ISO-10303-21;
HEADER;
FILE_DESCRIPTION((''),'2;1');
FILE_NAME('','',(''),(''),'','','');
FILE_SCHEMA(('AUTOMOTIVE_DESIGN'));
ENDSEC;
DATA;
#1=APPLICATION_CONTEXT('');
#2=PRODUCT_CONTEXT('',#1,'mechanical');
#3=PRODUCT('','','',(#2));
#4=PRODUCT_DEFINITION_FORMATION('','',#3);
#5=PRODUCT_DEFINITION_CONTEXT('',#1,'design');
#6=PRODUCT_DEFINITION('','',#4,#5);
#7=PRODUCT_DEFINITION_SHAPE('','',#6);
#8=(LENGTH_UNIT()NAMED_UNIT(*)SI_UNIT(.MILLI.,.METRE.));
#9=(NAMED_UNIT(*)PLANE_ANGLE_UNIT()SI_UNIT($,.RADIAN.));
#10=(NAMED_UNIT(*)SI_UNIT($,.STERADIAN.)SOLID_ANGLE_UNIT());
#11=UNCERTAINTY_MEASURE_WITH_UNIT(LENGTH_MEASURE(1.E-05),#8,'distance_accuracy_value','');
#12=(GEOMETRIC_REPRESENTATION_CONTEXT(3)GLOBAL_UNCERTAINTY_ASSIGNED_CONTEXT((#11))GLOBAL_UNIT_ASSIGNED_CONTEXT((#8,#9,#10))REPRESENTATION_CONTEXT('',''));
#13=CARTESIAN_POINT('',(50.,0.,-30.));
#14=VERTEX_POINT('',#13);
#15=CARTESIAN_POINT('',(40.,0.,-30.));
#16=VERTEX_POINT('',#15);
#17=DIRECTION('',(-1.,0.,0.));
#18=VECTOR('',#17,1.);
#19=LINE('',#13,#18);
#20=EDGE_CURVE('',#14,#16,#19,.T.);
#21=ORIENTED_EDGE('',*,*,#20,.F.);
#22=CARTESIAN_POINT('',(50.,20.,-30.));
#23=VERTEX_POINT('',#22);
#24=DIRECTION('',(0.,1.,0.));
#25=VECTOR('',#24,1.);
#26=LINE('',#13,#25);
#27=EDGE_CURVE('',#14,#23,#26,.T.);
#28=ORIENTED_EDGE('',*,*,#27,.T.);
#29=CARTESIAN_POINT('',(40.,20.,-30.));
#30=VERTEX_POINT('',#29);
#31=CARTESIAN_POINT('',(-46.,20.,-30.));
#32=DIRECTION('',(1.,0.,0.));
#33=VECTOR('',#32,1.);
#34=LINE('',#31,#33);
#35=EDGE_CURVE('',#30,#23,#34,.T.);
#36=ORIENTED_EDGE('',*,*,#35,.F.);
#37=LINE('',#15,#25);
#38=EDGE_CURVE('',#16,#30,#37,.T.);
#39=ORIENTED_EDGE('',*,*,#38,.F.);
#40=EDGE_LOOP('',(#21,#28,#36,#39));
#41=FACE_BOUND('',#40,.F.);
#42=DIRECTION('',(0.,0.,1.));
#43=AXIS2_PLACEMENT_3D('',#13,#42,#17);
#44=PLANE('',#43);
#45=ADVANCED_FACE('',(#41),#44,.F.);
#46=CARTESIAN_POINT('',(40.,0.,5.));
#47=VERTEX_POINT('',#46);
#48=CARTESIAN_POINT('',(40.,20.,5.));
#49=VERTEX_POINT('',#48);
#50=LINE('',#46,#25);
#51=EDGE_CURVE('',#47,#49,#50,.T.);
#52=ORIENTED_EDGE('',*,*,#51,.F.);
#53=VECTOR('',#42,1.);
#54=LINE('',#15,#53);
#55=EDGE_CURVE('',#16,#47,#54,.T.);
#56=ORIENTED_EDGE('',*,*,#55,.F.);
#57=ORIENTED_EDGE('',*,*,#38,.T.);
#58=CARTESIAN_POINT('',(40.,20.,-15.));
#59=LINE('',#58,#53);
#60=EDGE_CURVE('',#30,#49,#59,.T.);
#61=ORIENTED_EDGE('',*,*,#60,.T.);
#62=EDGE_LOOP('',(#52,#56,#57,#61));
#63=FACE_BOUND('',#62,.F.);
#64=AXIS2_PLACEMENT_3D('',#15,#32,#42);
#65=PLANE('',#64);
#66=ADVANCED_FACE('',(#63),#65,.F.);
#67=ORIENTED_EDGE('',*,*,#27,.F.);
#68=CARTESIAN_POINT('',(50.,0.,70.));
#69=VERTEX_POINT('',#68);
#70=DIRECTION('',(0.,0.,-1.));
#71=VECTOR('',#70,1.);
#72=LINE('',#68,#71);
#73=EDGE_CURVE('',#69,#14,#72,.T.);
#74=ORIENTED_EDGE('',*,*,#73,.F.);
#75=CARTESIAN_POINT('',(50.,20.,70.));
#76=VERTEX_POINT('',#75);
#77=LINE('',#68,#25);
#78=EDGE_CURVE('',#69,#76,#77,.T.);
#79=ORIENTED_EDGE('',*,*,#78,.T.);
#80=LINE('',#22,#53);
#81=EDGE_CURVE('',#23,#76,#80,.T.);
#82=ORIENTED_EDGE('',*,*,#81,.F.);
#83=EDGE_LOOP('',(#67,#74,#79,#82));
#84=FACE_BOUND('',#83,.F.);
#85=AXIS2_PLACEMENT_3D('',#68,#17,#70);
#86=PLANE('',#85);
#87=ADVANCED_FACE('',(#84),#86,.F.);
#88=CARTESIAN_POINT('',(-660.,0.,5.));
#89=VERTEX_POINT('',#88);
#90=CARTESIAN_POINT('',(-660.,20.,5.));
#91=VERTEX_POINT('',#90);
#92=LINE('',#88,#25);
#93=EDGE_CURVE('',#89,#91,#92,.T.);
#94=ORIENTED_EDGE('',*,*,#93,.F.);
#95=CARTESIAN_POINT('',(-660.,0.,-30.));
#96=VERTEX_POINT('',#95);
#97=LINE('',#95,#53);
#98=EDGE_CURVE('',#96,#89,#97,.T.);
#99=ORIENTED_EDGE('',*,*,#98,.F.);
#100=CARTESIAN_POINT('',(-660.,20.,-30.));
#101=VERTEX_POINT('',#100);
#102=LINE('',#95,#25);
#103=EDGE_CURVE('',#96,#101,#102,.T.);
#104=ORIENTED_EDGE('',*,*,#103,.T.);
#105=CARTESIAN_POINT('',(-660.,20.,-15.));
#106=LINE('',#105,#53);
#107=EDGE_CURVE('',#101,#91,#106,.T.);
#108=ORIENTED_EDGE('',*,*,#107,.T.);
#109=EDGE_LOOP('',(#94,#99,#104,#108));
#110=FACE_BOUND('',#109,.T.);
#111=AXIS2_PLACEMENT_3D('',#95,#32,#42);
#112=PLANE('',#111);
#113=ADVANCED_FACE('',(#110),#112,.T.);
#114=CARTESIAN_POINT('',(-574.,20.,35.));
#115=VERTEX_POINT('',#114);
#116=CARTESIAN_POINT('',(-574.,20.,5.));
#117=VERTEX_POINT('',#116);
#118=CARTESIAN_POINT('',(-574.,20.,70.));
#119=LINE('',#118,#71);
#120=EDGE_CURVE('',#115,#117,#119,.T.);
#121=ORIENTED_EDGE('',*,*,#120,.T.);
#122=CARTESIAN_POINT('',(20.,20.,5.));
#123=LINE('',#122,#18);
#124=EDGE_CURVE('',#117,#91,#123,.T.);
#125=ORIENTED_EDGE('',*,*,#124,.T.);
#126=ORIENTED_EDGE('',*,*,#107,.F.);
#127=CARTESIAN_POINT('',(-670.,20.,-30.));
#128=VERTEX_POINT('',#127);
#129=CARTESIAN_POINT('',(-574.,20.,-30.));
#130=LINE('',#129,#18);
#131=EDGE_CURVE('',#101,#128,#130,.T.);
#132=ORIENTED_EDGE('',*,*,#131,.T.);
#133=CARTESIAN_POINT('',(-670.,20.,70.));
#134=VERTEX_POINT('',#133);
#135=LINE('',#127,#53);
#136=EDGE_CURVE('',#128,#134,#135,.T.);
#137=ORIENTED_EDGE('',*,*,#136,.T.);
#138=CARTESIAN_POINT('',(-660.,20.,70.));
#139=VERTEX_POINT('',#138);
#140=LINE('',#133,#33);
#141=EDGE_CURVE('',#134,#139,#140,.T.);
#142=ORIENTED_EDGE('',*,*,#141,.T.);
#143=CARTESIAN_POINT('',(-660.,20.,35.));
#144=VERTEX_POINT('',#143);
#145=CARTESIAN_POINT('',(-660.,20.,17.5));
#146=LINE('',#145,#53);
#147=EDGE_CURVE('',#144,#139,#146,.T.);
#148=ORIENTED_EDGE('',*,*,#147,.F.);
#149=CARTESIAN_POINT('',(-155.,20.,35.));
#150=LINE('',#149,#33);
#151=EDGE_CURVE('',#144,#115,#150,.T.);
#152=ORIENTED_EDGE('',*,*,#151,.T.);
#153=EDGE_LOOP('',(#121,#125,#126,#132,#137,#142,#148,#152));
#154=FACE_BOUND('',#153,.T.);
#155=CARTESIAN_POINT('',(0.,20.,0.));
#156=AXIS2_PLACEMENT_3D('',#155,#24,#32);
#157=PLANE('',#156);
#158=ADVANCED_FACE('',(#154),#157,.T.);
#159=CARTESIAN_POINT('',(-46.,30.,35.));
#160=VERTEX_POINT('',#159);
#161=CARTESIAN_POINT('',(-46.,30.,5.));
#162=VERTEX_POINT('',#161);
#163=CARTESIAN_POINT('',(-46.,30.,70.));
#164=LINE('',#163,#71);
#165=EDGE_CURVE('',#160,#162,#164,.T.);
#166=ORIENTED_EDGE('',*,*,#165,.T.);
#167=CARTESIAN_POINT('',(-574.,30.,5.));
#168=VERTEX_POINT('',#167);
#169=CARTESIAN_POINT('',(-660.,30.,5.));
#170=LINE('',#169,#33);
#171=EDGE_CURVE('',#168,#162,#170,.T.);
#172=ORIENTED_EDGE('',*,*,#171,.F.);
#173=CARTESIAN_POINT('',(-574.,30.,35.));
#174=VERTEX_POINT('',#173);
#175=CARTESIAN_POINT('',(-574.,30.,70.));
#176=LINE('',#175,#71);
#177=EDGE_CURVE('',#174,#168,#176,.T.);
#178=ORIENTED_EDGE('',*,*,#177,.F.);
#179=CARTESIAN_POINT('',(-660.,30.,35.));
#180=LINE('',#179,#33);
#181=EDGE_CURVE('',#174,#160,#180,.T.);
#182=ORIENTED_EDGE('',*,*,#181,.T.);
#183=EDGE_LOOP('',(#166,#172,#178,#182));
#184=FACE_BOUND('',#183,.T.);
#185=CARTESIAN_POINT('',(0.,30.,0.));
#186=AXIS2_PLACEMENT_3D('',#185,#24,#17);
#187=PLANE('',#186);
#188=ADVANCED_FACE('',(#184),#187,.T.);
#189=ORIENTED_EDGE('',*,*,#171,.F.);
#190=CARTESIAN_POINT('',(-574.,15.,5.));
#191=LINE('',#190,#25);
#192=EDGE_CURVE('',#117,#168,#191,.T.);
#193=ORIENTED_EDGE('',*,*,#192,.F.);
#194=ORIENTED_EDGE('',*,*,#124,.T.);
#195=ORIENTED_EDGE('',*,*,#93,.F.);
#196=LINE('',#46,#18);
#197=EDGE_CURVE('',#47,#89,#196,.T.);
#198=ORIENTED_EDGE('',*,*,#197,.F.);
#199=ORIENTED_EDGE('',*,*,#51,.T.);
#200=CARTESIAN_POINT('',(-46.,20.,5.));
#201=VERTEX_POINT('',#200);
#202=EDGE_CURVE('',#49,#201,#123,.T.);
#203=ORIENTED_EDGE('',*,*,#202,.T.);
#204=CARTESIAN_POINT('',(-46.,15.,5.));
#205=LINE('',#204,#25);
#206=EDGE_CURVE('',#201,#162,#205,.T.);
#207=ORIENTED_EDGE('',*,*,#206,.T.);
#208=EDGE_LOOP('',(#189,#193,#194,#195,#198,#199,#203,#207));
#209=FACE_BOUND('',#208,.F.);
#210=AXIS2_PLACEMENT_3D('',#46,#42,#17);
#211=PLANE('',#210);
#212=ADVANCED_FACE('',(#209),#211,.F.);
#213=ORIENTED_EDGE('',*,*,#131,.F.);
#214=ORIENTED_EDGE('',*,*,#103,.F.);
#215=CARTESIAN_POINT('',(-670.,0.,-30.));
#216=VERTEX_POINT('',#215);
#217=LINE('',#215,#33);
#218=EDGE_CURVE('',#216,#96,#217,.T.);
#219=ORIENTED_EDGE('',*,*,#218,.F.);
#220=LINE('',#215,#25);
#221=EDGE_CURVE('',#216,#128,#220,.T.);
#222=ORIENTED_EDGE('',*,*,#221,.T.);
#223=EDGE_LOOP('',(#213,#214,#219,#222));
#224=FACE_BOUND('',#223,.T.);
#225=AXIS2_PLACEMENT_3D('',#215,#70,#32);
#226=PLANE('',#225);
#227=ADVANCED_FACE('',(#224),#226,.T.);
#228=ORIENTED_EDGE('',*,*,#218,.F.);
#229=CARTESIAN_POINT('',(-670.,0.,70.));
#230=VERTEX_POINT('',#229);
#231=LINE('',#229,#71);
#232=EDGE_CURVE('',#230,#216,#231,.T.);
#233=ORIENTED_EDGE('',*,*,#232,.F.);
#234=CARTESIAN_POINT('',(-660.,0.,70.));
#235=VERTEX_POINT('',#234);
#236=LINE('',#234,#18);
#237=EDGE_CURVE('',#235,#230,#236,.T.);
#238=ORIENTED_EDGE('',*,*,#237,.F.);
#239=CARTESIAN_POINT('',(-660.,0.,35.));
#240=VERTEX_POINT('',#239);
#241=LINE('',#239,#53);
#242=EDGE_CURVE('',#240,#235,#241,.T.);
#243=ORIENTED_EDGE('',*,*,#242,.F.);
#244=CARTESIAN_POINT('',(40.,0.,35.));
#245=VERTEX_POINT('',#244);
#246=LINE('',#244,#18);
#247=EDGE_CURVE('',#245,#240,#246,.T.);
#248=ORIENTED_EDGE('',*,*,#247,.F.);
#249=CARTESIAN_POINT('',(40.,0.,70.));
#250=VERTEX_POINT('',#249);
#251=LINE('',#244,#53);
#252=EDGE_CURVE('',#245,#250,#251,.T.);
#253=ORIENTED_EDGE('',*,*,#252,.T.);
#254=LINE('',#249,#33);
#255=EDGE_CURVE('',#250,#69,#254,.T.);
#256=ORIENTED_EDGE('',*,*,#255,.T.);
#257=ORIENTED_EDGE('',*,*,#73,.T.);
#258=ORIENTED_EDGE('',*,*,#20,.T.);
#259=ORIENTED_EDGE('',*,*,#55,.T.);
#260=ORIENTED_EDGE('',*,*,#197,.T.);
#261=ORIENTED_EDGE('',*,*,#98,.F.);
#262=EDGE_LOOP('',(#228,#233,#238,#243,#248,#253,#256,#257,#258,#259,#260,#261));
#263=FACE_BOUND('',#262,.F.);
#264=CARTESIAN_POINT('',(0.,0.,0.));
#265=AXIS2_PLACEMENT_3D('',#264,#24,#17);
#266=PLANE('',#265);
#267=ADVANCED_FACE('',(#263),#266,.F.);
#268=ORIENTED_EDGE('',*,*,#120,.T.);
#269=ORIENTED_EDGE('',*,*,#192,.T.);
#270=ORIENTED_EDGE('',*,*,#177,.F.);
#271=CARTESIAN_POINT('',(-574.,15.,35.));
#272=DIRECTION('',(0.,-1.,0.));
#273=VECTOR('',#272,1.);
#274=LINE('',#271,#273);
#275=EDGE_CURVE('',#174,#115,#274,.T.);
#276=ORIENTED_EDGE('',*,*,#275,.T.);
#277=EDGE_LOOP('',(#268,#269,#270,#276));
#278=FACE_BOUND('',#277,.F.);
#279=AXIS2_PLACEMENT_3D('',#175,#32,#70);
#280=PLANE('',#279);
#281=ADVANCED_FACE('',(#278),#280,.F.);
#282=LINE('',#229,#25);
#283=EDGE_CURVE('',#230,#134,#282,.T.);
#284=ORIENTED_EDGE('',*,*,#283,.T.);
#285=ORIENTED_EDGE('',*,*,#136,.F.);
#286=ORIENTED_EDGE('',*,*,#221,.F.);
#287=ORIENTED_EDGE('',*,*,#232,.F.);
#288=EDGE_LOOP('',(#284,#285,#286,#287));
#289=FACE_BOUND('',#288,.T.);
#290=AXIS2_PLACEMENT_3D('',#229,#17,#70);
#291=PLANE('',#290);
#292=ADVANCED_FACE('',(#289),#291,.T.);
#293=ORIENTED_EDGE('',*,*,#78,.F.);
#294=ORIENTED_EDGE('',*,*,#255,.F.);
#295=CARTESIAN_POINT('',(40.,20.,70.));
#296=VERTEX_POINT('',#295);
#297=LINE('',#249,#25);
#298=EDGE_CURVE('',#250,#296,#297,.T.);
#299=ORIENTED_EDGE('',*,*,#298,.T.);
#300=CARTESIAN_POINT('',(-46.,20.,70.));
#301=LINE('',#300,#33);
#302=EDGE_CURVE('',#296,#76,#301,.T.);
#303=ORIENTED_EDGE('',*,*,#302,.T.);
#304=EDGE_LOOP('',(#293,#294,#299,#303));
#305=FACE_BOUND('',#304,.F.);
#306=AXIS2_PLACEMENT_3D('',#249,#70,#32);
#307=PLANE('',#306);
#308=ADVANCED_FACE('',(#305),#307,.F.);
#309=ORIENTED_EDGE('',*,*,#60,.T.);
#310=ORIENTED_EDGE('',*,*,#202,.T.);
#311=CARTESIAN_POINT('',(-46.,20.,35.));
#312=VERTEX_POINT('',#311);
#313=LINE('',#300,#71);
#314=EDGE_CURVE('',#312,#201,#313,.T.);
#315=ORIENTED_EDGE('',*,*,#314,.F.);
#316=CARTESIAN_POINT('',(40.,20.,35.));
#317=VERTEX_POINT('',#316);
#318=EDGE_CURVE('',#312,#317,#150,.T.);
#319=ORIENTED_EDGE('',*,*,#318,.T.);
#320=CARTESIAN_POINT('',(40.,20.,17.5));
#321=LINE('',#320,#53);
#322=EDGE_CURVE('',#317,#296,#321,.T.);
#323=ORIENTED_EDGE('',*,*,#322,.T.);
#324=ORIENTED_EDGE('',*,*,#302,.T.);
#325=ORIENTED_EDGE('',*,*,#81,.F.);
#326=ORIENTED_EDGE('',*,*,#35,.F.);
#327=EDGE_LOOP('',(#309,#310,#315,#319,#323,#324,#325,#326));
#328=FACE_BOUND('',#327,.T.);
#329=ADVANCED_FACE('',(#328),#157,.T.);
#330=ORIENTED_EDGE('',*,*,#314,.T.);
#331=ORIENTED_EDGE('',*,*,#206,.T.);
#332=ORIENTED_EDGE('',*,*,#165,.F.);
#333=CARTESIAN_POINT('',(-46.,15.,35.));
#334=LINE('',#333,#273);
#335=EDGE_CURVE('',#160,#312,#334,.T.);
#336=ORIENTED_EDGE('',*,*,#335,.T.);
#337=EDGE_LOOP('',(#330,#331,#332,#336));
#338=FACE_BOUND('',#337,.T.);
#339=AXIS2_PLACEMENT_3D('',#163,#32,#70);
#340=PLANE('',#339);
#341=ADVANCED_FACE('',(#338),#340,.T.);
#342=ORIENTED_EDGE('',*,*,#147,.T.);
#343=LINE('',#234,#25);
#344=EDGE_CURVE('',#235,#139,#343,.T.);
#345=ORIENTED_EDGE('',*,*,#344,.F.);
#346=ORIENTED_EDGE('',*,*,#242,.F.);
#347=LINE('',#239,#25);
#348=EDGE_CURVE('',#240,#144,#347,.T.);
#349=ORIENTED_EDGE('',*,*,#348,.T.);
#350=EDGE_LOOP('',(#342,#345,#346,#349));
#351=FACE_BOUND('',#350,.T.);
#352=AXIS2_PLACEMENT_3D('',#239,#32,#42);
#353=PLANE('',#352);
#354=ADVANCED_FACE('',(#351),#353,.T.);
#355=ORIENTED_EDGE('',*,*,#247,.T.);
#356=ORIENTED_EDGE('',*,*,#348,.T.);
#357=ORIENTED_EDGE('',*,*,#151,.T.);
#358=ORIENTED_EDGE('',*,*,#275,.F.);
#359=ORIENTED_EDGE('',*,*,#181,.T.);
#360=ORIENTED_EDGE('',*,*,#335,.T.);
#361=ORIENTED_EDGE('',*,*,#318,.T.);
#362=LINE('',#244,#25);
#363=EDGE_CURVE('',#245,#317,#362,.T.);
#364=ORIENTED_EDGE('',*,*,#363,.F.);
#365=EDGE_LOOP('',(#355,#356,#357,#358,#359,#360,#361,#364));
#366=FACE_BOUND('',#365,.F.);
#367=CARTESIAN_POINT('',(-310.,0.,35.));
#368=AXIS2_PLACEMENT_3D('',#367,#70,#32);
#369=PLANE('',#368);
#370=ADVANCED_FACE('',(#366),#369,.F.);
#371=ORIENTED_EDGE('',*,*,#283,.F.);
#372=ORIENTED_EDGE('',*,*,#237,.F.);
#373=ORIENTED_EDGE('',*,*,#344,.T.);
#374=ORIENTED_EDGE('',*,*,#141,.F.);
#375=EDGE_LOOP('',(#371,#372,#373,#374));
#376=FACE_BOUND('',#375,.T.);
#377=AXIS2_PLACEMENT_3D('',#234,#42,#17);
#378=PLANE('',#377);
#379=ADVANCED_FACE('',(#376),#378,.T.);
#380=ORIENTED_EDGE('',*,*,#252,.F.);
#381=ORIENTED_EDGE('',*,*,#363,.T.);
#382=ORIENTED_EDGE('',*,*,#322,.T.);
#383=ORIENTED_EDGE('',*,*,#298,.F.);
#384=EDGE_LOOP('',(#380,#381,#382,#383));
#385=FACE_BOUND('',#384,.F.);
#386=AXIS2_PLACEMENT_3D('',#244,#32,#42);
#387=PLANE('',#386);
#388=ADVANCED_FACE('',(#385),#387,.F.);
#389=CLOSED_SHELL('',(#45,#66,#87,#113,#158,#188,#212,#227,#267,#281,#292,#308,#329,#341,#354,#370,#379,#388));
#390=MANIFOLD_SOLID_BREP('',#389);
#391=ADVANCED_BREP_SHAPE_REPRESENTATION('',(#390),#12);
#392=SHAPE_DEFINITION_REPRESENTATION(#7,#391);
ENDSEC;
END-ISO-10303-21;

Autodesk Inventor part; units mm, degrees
ref_plane "YZ Plane" through (0, 0, 0) normal (1, 0, 0) x (0, 1, 0)
ref_plane "XZ Plane" through (0, 0, 0) normal (0, 1, 0) x (-1, 0, 0)
ref_plane "XY Plane" through (0, 0, 0) normal (0, 0, 1) x (1, 0, 0)
sketch "Эскиз1" plane through (0, 0, 0) normal (0, 1, 0) x (-1, 0, 0)
  line L0 (310, 35) -> (-40, 35)
  line L1 (-40, 35) -> (-40, 70)
  line L2 (-40, 70) -> (-50, 70)
  line L3 (-50, 70) -> (-50, -30)
  line L4 (-50, -30) -> (-40, -30)
  line L5 (-40, -30) -> (-40, 5)
  line L6 (-40, 5) -> (310, 5)
  line L7 (310, 5) -> (310, 35)
  line L8 (310, -86) -> (310, -101.2922)
  line L9 (310, 35) -> (660, 35)
  line L10 (660, 35) -> (660, 70)
  line L11 (660, 70) -> (670, 70)
  line L12 (670, 70) -> (670, -30)
  line L13 (670, -30) -> (660, -30)
  line L14 (660, -30) -> (660, 5)
  line L15 (660, 5) -> (310, 5)
  point P0 (0, 0)
  point P1 (620, 0)
  dimension "d0" = 30
  dimension "d1" = 100
  dimension "d2" = 35
  dimension "d3" = 35
  dimension "d4" = 10
  dimension "d5" = 360
extrude "Выдавливание1" add sketch "Эскиз1" along normal blind 30
sketch "Эскиз2" plane through (0, 30, 0) normal (0, 1, 0) x (1, 0, 0)
  line L0 (40, -70) -> (50, -70) projected
  line L1 (50, -70) -> (-46, -70)
  line L2 (-46, -70) -> (-46, 30)
  line L3 (-46, 30) -> (50, 30)
  line L4 (50, 30) -> (50, -70)
  line L5 (-670, 30) -> (-670, -70) projected
  line L6 (-670, -70) -> (-574, -70)
  line L7 (-574, -70) -> (-574, 30)
  line L8 (-574, 30) -> (-670, 30)
  line L9 (-670, 30) -> (-670, -70)
  point P0 (0, 0)
  point P1 (40, -70)
  dimension "d8" = 96
  dimension "d9" = 96
extrude "Выдавливание2" cut sketch "Эскиз2" against normal blind 10
properties part number "Tbalka760" material "Алюминий 6061"
